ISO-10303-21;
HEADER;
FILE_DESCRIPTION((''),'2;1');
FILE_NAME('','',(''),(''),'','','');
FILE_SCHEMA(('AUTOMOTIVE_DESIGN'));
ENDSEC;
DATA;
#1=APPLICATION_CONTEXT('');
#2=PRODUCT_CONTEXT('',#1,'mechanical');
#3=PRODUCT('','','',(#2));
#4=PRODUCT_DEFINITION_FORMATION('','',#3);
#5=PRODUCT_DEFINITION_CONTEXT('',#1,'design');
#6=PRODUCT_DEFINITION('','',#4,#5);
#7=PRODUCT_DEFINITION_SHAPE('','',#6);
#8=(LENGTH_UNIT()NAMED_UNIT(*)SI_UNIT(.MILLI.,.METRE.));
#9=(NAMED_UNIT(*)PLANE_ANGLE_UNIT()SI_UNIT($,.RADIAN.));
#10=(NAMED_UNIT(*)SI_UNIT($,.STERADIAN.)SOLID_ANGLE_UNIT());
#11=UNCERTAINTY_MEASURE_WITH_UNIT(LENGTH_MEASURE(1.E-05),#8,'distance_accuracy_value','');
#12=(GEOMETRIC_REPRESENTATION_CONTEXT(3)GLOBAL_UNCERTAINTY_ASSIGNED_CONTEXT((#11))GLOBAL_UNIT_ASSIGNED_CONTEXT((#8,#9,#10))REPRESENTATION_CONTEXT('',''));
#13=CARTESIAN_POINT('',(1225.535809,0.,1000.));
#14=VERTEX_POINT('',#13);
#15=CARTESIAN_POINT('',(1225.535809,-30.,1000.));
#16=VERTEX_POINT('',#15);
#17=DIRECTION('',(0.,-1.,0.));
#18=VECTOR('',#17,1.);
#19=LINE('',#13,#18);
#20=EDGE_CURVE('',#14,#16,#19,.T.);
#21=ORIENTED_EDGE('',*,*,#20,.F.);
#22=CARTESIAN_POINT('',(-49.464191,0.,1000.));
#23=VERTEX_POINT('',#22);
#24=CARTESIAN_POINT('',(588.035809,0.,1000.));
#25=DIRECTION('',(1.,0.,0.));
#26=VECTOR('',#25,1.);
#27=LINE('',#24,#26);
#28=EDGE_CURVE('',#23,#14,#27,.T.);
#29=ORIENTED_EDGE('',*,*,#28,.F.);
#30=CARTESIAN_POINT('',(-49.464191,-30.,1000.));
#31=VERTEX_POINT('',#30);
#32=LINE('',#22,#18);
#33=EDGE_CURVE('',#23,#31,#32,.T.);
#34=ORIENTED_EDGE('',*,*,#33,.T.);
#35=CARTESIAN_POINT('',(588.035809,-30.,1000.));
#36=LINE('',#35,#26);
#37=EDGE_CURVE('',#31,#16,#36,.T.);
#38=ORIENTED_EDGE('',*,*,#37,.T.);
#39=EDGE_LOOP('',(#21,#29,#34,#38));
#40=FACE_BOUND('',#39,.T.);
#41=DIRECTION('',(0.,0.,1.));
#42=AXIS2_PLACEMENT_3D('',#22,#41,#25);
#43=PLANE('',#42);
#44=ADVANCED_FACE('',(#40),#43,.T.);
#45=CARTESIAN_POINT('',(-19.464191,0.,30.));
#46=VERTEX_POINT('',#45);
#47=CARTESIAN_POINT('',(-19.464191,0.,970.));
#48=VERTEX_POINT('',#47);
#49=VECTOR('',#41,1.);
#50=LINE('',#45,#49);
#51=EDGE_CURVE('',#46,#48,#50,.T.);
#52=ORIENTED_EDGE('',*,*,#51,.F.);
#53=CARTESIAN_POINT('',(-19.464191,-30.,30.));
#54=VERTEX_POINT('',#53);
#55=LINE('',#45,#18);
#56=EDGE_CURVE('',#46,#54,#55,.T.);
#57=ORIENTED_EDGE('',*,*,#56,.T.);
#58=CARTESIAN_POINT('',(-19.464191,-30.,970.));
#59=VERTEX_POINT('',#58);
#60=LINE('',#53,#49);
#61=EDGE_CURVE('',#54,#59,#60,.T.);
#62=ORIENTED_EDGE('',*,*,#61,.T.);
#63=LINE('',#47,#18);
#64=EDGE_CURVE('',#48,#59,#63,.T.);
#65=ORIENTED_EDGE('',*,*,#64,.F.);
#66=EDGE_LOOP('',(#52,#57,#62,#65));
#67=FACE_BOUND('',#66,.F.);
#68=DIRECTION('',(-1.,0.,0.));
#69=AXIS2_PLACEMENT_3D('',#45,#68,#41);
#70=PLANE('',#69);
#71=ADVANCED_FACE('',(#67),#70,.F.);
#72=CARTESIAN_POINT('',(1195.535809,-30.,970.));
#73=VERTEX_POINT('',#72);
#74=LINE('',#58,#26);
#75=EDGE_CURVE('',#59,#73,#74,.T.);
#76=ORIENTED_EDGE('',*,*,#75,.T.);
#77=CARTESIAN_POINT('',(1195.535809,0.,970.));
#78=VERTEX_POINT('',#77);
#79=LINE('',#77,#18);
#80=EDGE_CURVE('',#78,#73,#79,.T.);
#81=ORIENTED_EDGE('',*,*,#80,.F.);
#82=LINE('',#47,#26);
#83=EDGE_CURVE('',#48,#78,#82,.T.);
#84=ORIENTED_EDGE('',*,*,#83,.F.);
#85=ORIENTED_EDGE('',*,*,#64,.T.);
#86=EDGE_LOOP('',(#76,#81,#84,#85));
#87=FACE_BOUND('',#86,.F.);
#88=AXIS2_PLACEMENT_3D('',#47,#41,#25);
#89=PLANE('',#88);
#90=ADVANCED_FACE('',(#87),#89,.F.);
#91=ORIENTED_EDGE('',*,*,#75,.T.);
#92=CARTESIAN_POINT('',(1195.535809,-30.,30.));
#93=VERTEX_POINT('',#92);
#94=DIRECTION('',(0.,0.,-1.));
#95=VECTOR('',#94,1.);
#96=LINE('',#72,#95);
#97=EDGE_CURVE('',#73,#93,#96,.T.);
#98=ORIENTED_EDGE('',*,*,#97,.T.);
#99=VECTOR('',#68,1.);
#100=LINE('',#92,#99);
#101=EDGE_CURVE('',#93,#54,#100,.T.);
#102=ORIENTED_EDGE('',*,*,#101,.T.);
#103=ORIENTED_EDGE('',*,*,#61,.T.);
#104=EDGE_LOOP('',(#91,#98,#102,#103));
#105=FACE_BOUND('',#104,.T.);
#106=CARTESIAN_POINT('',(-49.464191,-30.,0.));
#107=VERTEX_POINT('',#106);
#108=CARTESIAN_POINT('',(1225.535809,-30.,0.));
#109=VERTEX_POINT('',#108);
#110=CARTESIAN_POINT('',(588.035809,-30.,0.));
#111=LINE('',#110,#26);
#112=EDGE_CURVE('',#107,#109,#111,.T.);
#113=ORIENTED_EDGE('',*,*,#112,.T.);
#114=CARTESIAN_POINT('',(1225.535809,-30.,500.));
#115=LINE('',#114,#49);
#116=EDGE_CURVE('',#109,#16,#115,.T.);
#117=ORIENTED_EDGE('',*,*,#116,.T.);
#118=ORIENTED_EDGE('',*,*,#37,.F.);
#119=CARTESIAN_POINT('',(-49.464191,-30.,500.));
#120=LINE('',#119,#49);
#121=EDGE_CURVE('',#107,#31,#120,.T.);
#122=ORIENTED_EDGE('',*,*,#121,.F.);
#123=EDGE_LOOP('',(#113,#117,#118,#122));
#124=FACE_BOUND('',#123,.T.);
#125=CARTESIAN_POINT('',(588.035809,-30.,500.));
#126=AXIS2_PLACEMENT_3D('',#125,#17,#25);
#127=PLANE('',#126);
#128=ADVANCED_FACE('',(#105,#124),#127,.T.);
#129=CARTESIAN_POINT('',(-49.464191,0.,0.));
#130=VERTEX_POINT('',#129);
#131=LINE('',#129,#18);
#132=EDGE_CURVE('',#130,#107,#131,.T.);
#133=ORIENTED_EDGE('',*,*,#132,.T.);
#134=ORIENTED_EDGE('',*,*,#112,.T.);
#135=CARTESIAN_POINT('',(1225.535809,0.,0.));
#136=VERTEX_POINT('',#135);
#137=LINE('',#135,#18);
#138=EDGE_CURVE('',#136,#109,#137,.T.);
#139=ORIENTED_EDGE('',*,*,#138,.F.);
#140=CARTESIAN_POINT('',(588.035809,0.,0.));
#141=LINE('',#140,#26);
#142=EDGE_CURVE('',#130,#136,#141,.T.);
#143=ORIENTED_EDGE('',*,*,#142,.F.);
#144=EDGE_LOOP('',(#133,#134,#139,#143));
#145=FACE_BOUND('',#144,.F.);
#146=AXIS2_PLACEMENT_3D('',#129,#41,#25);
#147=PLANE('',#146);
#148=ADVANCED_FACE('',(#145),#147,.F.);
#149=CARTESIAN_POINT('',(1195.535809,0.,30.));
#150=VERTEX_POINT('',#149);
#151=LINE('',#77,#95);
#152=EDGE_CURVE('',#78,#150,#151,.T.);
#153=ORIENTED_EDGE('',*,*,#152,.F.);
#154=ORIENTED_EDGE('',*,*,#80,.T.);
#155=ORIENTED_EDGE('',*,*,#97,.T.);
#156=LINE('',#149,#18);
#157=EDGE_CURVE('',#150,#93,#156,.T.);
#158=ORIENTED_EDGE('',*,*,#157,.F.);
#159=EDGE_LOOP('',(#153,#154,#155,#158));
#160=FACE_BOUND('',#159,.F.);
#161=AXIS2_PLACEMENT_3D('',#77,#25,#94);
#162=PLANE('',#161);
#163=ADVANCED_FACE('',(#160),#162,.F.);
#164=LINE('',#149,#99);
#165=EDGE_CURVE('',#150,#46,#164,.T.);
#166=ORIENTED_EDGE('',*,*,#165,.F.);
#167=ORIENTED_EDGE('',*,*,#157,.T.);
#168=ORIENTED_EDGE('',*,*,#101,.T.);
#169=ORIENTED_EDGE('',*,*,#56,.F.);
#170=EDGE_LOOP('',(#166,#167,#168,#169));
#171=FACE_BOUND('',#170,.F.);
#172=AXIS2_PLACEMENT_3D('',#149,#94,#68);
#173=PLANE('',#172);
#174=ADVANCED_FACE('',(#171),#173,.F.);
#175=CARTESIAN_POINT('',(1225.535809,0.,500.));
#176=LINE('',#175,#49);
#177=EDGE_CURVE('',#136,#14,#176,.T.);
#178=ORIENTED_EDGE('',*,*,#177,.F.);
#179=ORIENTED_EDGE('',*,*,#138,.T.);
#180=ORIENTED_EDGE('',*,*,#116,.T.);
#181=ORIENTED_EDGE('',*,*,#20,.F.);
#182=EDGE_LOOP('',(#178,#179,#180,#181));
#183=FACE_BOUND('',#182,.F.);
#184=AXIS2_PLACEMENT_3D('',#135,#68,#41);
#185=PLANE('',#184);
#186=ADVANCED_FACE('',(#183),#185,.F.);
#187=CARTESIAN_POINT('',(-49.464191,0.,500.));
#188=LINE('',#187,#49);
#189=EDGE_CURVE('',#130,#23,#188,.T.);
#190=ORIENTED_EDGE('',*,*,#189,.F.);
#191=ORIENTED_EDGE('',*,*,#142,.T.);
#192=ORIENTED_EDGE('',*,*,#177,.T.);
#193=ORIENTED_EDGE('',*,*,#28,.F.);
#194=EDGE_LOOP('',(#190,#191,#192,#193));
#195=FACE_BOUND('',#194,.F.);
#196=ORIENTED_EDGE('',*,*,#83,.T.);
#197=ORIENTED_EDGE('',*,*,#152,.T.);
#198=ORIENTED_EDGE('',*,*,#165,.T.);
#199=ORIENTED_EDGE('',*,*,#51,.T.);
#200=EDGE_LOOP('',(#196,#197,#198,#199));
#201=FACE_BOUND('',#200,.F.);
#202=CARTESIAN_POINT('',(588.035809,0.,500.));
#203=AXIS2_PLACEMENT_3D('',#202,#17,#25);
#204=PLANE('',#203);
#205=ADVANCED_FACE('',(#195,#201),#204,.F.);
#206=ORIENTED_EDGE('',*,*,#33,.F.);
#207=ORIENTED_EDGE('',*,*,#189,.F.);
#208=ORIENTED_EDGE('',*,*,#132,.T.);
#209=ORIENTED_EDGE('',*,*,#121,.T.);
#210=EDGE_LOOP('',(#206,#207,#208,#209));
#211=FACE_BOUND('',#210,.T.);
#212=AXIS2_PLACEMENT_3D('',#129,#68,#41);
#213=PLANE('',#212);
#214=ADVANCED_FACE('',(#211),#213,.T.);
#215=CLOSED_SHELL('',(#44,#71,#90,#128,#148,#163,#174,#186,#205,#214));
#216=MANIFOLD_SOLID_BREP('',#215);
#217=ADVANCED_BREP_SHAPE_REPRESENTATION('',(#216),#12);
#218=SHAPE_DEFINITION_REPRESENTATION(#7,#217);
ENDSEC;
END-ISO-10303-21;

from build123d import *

# Parameters (mm, degrees)
F0_W     = 1275
F0_H     = 1000
F1_DEPTH = 30


with BuildPart() as f1:
    # F0 (on Front) → F1 (new body)
    with BuildSketch(Plane.XZ):
        with Locations((588.035809, 500)):
            Rectangle(F0_W, F0_H)
        Polygon((-19.464191, 30), (-19.464191, 970), (16.255636, 970), (66.255636, 970), (101.975464, 970), (151.975464, 970), (187.695292, 970), (237.695292, 970), (273.41512, 970), (323.41512, 970), (359.134947, 970), (409.134947, 970), (444.854775, 970), (494.854775, 970), (530.574603, 970), (580.574603, 970), (616.294431, 970), (1195.535809, 970), (1195.535809, 73.725275), (1195.535809, 30), (1188.074603, 30), (1138.074603, 30), (1102.354775, 30), (1052.354775, 30), (1016.634947, 30), (966.634947, 30), (930.91512, 30), (880.91512, 30), (845.195292, 30), (795.195292, 30), (759.475464, 30), (709.475464, 30), (673.755636, 30), (623.755636, 30), (588.035809, 30), align=None, mode=Mode.SUBTRACT)
    extrude(amount=F1_DEPTH)


solid = f1.part
